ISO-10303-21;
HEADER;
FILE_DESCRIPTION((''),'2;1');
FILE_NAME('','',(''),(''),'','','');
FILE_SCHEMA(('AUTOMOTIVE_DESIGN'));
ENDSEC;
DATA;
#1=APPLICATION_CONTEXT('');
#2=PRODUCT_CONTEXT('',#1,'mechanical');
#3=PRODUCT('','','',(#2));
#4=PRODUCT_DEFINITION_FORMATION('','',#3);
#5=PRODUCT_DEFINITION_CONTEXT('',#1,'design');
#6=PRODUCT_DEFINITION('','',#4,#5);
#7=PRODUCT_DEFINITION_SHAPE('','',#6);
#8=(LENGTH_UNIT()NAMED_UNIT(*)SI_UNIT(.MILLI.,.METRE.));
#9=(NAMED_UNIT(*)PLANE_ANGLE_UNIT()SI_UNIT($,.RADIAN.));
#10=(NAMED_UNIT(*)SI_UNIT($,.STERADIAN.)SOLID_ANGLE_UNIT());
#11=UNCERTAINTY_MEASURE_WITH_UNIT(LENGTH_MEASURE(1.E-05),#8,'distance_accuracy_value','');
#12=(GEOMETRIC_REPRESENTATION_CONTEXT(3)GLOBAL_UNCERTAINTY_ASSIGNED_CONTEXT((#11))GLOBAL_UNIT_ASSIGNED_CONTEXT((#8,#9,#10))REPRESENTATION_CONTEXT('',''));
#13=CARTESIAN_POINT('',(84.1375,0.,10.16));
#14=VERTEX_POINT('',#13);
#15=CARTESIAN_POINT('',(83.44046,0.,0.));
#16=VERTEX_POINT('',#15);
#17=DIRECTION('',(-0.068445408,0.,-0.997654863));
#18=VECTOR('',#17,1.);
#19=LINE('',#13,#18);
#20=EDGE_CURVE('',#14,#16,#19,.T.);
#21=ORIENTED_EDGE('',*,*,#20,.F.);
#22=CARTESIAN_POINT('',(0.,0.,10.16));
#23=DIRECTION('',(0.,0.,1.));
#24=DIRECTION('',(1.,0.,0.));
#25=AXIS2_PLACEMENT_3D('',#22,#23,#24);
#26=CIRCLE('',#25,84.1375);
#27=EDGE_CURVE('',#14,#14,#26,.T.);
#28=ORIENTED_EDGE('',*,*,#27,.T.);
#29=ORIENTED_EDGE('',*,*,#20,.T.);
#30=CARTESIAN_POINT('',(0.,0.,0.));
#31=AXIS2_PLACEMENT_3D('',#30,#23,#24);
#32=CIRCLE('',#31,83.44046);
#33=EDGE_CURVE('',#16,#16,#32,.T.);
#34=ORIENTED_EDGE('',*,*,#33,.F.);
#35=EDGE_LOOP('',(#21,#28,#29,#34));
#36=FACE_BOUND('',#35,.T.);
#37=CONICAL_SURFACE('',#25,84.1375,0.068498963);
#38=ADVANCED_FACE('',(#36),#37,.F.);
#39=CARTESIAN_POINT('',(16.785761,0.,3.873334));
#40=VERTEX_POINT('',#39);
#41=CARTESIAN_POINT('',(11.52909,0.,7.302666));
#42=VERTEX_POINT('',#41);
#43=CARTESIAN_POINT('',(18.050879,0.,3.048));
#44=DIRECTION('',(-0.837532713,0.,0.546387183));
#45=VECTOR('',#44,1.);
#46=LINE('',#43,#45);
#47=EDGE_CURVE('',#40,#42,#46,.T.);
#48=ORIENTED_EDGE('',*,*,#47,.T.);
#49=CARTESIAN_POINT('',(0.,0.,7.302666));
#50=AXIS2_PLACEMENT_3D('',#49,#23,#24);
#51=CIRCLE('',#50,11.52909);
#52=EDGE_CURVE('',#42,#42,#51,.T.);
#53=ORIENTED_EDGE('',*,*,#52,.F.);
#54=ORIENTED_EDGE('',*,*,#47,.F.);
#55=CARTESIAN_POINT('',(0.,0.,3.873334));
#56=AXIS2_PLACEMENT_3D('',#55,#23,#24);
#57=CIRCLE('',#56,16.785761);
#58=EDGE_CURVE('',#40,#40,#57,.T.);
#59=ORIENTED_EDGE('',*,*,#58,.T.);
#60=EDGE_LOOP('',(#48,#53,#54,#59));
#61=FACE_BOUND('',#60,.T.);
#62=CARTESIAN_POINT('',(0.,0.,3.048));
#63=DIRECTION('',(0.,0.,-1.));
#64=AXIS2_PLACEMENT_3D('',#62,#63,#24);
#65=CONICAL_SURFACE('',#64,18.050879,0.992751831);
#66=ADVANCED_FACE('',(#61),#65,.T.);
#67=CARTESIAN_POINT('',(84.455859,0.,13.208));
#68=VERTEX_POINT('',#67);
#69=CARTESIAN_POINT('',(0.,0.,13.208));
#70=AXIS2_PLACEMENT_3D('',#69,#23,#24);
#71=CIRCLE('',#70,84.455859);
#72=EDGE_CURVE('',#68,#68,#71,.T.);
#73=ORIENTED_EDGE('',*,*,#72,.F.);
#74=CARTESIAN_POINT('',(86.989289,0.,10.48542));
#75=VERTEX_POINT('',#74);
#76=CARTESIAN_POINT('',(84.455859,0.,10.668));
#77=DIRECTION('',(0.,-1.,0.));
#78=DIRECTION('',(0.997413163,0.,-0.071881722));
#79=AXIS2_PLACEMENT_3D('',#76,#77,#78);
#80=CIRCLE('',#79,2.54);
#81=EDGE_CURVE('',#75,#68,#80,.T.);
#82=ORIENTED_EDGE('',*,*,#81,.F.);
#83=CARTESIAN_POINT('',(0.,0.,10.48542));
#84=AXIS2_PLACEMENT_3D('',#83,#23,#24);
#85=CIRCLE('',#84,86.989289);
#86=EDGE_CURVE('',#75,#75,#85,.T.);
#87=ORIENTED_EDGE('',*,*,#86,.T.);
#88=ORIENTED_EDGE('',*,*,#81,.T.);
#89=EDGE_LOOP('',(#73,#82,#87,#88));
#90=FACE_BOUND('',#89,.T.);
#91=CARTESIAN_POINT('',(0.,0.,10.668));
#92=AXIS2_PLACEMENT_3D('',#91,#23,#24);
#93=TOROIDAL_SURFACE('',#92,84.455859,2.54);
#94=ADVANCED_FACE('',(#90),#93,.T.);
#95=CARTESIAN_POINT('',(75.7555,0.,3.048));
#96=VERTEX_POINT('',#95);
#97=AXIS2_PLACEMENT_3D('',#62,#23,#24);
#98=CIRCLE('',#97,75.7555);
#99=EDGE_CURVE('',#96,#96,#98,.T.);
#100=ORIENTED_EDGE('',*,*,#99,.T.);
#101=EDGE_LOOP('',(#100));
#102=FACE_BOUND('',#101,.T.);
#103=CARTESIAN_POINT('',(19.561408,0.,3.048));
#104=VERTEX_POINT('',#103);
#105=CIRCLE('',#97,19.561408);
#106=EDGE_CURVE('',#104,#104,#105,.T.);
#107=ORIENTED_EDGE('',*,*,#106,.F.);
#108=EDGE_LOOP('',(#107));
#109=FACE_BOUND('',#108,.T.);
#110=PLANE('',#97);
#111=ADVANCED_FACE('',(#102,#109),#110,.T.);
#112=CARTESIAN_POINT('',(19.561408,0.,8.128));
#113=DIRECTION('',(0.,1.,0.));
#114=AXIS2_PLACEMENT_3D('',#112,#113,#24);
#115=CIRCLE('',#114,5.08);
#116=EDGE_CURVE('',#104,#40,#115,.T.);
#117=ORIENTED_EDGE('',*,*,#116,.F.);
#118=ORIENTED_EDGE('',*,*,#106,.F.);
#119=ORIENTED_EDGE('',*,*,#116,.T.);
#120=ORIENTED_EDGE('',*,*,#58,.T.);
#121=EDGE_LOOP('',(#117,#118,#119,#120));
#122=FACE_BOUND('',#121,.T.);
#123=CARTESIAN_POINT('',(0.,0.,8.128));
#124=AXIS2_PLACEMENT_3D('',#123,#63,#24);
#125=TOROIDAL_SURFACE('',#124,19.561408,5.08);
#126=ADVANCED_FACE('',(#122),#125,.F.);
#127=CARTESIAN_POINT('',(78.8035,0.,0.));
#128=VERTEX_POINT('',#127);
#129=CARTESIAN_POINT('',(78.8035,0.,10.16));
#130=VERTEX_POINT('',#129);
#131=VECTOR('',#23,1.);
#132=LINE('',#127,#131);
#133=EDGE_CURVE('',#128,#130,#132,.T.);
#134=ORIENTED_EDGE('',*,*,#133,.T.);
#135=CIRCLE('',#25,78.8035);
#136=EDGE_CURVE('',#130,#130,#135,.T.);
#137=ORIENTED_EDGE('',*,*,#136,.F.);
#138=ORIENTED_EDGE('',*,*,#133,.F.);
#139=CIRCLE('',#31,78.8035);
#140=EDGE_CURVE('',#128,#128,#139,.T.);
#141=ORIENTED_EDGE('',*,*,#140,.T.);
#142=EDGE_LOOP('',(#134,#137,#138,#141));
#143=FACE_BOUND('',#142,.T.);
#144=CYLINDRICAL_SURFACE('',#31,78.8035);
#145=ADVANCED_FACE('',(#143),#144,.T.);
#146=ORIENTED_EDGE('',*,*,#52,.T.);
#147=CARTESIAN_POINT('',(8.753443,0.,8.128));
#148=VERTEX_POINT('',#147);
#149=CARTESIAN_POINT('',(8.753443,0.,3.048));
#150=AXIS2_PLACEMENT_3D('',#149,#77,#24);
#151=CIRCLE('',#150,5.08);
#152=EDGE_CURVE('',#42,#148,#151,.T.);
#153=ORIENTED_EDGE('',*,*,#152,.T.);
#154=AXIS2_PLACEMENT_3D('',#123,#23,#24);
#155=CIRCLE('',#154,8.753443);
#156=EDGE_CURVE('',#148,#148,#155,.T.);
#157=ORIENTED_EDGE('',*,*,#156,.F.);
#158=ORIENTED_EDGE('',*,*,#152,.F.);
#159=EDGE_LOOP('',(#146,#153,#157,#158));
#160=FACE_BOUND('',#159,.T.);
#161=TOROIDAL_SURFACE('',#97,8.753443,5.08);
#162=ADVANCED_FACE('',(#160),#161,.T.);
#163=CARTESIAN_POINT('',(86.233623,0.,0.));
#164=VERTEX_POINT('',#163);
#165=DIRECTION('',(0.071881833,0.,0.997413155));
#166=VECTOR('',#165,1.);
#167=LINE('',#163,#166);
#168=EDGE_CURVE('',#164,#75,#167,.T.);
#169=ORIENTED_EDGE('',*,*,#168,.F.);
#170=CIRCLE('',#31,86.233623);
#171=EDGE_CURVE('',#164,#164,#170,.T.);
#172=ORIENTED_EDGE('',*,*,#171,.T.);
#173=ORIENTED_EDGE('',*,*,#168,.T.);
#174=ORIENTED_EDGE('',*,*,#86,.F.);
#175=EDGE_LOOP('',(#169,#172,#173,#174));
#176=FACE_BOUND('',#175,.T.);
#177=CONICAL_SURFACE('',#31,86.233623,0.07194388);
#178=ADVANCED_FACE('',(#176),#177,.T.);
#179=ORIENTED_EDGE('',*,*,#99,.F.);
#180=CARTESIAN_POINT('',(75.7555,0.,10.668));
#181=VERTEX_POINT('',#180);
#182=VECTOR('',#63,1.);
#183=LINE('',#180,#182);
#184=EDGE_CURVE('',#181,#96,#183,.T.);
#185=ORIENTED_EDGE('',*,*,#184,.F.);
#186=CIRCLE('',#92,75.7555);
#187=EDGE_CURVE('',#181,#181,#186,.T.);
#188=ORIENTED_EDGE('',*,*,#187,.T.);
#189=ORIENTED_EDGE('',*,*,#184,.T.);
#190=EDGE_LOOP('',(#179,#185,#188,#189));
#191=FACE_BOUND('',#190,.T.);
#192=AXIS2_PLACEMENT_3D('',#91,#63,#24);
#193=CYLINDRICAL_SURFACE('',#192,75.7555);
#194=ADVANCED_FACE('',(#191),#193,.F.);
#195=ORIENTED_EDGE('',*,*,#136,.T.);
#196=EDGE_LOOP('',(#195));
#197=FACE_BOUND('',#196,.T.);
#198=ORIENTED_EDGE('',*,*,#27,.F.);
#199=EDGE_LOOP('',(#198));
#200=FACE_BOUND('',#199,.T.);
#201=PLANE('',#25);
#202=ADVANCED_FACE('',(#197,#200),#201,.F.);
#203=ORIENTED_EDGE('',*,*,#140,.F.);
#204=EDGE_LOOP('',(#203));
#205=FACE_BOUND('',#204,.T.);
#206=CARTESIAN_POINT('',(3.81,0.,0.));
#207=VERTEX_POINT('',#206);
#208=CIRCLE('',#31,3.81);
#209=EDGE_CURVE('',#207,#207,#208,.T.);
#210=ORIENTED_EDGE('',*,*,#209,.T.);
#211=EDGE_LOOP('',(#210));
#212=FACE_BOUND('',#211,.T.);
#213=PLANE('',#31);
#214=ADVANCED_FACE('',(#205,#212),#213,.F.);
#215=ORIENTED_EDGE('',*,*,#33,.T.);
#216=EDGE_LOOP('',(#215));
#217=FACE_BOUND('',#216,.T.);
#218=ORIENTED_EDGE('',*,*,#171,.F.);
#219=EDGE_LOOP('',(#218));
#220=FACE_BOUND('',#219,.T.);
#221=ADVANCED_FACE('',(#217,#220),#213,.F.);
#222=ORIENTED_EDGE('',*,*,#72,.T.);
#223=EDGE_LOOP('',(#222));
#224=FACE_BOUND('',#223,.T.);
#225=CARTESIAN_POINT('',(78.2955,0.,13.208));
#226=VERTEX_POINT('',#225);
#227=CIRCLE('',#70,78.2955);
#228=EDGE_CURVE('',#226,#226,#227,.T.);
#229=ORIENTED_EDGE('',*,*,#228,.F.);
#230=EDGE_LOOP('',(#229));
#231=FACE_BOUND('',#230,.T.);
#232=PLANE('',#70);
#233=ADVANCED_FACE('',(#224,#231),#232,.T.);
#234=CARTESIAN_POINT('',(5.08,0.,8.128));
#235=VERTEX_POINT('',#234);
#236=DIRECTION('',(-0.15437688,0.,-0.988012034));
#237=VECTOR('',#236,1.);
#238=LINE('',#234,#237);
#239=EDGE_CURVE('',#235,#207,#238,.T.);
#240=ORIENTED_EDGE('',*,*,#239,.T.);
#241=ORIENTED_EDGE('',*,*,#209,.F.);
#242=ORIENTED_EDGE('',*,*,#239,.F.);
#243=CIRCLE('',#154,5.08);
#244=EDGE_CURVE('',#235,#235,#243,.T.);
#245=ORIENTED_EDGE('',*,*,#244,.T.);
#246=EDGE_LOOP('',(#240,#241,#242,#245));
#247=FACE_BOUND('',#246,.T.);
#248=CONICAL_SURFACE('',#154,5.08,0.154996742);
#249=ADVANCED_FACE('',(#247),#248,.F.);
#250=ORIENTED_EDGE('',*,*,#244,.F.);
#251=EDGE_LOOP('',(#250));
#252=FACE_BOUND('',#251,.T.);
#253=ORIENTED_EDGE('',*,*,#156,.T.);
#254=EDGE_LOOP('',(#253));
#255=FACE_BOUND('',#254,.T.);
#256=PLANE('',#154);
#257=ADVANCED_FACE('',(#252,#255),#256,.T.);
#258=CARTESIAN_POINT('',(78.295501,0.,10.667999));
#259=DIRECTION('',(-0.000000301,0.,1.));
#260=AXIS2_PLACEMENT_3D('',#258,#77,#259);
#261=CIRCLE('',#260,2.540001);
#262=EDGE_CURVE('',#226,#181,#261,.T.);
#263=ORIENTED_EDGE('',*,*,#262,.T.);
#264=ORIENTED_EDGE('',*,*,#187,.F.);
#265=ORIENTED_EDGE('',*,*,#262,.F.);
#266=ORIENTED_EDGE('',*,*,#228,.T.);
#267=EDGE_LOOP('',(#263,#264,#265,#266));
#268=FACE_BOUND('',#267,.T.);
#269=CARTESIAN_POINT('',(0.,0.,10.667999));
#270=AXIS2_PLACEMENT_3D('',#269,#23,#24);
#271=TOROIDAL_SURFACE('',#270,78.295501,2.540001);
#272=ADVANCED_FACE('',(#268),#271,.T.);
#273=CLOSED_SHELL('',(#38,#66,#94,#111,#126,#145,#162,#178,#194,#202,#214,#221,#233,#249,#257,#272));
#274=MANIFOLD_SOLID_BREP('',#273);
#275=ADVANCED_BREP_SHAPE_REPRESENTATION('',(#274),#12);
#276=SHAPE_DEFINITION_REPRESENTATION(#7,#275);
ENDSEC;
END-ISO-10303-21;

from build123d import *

# Parameters (mm, degrees)
F2_R = 5.08


with BuildPart() as f1:
    # F0 (on Front) → F1 (revolve)
    with BuildSketch(Plane.XZ):
        with BuildLine():
            Line((5.08, 8.128), (3.81, 0))
            Line((3.81, 0), (78.8035, 0))
            Line((78.8035, 0), (78.8035, 10.16))
            Line((78.8035, 10.16), (84.1375, 10.16))
            Line((84.1375, 10.16), (83.44046, 0))
            Line((83.44046, 0), (86.233623, 0))
            Line((86.233623, 0), (86.989289, 10.48542))
            ThreePointArc((86.989289, 10.48542), (86.315342, 12.398296), (84.455859, 13.208))
            Line((84.455859, 13.208), (78.2955, 13.208))
            ThreePointArc((78.2955, 13.208), (76.499449, 12.464051), (75.7555, 10.668))
            Line((75.7555, 10.668), (75.7555, 3.048))
            Line((75.7555, 3.048), (18.050879, 3.048))
            Line((18.050879, 3.048), (10.263972, 8.128))
            Line((10.263972, 8.128), (5.08, 8.128))
        make_face()
    revolve(axis=Axis((0, 0, 2.539245), (0, 0, 1)))

    # F2
    f2_edges = [f1.edges().sort_by_distance(p)[0] for p in [
        (-10.263972, 0, 8.128),
        (-18.050879, 0, 3.048),
    ]]
    fillet(f2_edges, radius=F2_R)


solid = f1.part
